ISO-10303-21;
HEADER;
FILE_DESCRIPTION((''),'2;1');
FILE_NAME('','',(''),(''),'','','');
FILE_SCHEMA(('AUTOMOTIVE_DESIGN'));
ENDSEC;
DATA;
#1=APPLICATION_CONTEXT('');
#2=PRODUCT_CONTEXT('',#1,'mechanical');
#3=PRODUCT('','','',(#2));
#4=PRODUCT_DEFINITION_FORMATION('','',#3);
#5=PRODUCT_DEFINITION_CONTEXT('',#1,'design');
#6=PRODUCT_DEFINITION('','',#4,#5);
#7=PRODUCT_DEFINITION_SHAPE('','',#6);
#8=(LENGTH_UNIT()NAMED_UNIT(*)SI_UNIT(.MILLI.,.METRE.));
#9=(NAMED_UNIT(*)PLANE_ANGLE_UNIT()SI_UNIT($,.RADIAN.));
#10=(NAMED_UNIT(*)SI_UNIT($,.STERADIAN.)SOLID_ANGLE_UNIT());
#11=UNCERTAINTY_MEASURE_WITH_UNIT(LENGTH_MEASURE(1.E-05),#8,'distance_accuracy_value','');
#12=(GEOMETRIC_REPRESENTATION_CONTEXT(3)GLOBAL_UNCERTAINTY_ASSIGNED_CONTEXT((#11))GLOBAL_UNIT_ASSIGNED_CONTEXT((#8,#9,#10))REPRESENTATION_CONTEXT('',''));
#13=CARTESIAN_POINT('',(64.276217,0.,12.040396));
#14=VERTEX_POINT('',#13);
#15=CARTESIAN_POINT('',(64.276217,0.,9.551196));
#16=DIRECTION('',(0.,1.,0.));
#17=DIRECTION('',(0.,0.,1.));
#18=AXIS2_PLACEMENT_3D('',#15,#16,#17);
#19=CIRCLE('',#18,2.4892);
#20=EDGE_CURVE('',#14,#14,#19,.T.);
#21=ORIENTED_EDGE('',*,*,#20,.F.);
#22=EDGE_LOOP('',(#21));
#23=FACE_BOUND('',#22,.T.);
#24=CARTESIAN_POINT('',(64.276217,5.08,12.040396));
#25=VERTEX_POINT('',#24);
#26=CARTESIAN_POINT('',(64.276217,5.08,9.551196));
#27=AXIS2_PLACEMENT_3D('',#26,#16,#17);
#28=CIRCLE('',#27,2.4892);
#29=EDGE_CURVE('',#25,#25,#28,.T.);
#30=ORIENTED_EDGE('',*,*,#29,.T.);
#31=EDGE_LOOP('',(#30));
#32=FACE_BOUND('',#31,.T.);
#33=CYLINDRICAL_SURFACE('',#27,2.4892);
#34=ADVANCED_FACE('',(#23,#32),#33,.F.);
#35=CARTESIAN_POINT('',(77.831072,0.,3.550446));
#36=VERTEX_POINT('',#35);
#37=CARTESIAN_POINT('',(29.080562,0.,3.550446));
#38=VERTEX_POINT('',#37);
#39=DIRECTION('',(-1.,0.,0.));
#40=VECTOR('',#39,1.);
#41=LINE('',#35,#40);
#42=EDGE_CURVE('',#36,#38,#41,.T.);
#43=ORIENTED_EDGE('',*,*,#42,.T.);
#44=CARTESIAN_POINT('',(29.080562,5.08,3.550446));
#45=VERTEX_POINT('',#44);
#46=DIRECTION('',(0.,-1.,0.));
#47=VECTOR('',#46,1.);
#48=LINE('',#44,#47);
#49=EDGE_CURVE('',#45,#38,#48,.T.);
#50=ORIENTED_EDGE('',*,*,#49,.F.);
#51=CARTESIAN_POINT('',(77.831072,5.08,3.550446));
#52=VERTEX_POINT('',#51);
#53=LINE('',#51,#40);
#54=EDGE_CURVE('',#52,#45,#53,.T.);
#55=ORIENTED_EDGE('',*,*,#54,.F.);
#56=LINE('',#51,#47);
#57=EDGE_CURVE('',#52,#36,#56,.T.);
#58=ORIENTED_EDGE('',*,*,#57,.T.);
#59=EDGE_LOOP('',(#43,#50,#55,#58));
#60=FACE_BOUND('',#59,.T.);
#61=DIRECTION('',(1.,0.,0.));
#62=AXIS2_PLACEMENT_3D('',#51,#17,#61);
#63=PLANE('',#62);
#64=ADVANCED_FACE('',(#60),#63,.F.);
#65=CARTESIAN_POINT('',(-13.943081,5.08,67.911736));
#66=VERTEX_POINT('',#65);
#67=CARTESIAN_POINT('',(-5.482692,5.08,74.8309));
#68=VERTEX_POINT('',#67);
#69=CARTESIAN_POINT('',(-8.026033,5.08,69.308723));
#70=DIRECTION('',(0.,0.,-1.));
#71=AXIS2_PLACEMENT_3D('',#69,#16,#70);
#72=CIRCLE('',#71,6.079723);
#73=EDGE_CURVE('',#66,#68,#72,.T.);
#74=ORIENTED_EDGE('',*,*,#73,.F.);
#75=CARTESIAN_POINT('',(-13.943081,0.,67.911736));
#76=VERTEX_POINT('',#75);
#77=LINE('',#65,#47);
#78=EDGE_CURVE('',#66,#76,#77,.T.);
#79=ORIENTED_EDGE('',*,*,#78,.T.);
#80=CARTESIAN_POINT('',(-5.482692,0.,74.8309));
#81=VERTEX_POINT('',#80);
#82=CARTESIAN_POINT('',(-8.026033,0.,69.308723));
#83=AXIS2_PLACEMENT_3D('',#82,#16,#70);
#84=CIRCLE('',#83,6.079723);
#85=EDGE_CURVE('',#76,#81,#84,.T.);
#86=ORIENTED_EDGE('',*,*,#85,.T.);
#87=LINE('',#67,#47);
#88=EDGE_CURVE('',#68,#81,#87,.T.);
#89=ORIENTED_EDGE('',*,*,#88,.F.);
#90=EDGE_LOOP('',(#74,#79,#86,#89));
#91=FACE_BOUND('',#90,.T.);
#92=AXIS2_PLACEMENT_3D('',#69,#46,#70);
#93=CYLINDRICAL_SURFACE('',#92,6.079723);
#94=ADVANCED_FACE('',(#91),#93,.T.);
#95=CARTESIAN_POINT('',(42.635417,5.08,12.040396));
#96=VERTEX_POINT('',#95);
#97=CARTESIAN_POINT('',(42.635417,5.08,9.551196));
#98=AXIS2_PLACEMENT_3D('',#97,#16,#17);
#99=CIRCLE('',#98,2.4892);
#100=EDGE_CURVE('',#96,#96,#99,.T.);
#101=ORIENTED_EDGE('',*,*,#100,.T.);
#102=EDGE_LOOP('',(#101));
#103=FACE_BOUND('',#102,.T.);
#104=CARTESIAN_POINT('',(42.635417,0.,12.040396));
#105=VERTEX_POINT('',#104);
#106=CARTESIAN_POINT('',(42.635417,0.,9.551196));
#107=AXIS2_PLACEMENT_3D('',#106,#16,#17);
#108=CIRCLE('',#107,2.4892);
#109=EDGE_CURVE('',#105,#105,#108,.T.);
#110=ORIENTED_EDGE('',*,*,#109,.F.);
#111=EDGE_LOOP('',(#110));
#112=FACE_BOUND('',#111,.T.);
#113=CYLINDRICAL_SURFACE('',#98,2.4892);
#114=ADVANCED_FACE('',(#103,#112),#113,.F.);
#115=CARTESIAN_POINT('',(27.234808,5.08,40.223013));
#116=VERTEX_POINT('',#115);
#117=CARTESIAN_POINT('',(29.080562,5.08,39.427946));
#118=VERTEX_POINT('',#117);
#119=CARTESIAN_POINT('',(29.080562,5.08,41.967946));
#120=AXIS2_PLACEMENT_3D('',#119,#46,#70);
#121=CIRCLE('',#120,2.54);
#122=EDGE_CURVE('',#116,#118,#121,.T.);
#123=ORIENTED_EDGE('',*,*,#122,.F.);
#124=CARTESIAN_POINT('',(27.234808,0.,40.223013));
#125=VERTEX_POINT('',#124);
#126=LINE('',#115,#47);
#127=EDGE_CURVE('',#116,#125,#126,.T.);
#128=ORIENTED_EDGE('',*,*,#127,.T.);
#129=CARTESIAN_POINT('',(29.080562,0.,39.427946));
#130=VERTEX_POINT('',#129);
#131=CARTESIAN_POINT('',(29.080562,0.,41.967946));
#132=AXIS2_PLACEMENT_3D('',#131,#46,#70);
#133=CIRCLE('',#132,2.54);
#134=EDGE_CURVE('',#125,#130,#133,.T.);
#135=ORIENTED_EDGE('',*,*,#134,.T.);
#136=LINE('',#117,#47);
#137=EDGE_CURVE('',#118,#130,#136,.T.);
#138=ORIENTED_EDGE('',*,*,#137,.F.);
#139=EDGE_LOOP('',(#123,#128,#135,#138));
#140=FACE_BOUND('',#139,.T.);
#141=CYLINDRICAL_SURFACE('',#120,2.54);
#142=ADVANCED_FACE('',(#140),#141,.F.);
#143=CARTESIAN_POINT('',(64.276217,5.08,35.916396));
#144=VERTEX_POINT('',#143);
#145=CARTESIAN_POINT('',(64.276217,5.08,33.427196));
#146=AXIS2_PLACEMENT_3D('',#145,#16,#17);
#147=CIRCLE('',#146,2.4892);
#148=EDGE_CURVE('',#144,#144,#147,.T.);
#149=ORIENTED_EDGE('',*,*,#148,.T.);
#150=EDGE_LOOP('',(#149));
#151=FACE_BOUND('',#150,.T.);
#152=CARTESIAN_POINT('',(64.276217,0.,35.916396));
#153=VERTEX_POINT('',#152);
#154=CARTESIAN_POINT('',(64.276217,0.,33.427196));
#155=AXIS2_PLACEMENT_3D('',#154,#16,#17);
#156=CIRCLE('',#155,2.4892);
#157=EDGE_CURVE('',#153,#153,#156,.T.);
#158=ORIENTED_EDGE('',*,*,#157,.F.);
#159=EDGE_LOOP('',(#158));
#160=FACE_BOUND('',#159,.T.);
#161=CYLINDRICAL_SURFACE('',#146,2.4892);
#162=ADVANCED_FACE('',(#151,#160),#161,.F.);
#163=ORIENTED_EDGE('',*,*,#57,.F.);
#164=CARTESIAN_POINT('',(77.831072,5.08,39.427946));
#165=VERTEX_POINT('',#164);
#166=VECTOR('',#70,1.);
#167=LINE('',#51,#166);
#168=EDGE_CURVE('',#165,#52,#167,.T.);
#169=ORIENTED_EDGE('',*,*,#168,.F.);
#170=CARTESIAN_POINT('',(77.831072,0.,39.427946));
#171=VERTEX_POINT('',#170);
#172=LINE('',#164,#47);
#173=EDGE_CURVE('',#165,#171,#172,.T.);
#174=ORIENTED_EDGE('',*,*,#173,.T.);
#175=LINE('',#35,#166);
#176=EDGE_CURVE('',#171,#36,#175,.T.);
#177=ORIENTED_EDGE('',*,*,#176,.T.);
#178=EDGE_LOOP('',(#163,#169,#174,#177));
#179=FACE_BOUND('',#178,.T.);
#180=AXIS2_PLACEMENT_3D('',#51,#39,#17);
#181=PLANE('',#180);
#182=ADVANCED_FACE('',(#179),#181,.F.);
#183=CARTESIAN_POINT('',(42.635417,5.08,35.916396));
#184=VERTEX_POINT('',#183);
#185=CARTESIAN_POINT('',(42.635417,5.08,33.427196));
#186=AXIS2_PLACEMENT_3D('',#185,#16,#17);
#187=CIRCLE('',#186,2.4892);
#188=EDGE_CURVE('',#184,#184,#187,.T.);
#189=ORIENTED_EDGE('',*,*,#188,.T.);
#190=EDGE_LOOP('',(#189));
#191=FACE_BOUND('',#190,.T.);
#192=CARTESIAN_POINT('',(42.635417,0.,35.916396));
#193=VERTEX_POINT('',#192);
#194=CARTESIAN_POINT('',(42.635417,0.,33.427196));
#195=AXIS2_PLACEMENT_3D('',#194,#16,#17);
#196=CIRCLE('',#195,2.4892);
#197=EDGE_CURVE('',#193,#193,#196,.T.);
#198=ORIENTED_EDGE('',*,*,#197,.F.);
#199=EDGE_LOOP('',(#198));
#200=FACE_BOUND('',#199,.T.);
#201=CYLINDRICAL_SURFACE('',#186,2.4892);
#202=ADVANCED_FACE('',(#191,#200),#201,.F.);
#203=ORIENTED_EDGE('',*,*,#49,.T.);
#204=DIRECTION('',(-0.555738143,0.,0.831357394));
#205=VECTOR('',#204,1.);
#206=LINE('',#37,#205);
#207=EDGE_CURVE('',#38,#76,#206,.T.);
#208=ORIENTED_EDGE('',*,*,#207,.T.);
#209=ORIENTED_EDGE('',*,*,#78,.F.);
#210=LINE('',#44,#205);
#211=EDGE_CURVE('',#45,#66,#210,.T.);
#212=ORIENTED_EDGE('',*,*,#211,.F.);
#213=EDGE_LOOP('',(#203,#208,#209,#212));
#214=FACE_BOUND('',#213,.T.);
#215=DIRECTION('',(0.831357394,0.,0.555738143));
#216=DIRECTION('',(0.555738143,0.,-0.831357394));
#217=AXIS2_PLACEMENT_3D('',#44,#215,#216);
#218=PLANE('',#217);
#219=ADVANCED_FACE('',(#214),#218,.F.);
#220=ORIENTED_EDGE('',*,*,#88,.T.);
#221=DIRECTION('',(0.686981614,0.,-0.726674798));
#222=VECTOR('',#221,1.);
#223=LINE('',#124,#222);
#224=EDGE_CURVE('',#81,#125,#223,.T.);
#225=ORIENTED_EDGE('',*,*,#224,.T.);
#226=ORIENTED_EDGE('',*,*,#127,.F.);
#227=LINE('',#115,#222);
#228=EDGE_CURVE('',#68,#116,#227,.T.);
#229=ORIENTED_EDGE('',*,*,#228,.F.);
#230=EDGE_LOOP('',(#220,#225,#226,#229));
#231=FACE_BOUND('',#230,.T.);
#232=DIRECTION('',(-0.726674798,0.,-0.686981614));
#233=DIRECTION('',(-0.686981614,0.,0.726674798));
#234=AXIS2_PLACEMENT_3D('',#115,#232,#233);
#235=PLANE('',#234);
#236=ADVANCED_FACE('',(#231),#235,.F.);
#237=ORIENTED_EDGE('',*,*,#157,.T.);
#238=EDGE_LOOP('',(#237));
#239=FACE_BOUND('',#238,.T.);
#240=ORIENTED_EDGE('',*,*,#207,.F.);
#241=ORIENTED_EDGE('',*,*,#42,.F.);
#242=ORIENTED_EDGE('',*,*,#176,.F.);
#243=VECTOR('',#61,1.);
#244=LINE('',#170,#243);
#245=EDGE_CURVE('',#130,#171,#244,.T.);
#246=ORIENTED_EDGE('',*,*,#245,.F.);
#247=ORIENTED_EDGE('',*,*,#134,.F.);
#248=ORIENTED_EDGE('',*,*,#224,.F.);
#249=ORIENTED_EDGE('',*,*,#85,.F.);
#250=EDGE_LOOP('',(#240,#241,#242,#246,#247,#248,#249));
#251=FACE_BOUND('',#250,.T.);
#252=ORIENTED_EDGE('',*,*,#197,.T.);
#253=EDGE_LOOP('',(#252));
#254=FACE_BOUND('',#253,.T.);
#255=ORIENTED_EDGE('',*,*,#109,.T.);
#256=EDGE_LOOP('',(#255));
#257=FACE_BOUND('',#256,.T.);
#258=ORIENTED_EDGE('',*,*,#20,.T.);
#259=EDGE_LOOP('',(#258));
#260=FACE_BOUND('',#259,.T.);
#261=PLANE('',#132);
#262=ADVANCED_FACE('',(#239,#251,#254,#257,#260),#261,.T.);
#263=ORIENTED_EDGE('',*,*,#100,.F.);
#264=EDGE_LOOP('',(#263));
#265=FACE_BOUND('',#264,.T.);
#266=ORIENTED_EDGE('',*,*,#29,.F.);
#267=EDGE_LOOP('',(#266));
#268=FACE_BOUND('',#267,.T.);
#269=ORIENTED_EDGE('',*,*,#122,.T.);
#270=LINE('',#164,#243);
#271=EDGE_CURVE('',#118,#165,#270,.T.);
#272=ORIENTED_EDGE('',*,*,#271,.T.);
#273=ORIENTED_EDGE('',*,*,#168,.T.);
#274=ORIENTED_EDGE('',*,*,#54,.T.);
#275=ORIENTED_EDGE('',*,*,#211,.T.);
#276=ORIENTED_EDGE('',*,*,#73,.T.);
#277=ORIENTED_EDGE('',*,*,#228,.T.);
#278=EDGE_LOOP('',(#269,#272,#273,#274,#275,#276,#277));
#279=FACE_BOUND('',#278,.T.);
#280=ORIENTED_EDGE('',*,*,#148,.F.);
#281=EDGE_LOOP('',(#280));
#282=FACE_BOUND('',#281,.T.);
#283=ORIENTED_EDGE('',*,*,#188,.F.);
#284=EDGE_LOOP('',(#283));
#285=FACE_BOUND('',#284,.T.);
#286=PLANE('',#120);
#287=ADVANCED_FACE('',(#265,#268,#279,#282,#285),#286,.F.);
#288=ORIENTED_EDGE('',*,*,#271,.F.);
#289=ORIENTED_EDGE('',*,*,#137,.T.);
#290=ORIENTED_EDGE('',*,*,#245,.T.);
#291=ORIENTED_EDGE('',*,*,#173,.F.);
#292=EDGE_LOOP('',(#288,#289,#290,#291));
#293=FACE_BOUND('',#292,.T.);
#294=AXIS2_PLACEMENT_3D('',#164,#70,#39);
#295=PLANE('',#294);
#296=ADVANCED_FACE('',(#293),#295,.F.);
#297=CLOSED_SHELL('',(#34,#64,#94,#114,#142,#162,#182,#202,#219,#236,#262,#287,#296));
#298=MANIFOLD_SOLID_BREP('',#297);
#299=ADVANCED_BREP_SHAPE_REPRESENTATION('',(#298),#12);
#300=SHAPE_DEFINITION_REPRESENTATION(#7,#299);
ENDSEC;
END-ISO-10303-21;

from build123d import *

# Parameters (mm, degrees)
BOSS_EXTRUDE1_DEPTH    = 5.08
F_10_CLEARANCE_HOLE1_D = 4.9784


with BuildPart() as part:
    # Sketch1 → Boss-Extrude1 (new body)
    with BuildSketch(Plane(origin=(0, 0, 0), x_dir=(1, 0, 0), z_dir=(0, 1, 0))):
        with BuildLine():
            Line((27.234807671, -40.223012788), (-5.482691703, -74.830900036))
            ThreePointArc((-5.482691703, -74.830900036), (-11.874952903, -74.014978741), (-13.943081074, -67.911735613))
            Line((-13.943081074, -67.911735613), (29.080561657, -3.550446088))
            Line((29.080561657, -3.550446088), (77.831071682, -3.550446088))
            Line((77.831071682, -3.550446088), (77.831071682, -39.427946088))
            Line((77.831071682, -39.427946088), (29.080561657, -39.427946088))
            ThreePointArc((29.080561657, -39.427946088), (28.075706091, -39.635165496), (27.234807671, -40.223012788))
        make_face()
    extrude(amount=BOSS_EXTRUDE1_DEPTH)

    # #10 Clearance Hole1 (through all)
    with Locations(Plane(origin=(0, 5.08, 0), x_dir=(1, 0, 0), z_dir=(0, 1, 0))):
        with Locations((42.63541667, -33.427196088), (42.63541667, -9.551196088), (64.27621667, -9.551196088), (64.27621667, -33.427196088)):
            Hole(F_10_CLEARANCE_HOLE1_D / 2)


solid = part.part
